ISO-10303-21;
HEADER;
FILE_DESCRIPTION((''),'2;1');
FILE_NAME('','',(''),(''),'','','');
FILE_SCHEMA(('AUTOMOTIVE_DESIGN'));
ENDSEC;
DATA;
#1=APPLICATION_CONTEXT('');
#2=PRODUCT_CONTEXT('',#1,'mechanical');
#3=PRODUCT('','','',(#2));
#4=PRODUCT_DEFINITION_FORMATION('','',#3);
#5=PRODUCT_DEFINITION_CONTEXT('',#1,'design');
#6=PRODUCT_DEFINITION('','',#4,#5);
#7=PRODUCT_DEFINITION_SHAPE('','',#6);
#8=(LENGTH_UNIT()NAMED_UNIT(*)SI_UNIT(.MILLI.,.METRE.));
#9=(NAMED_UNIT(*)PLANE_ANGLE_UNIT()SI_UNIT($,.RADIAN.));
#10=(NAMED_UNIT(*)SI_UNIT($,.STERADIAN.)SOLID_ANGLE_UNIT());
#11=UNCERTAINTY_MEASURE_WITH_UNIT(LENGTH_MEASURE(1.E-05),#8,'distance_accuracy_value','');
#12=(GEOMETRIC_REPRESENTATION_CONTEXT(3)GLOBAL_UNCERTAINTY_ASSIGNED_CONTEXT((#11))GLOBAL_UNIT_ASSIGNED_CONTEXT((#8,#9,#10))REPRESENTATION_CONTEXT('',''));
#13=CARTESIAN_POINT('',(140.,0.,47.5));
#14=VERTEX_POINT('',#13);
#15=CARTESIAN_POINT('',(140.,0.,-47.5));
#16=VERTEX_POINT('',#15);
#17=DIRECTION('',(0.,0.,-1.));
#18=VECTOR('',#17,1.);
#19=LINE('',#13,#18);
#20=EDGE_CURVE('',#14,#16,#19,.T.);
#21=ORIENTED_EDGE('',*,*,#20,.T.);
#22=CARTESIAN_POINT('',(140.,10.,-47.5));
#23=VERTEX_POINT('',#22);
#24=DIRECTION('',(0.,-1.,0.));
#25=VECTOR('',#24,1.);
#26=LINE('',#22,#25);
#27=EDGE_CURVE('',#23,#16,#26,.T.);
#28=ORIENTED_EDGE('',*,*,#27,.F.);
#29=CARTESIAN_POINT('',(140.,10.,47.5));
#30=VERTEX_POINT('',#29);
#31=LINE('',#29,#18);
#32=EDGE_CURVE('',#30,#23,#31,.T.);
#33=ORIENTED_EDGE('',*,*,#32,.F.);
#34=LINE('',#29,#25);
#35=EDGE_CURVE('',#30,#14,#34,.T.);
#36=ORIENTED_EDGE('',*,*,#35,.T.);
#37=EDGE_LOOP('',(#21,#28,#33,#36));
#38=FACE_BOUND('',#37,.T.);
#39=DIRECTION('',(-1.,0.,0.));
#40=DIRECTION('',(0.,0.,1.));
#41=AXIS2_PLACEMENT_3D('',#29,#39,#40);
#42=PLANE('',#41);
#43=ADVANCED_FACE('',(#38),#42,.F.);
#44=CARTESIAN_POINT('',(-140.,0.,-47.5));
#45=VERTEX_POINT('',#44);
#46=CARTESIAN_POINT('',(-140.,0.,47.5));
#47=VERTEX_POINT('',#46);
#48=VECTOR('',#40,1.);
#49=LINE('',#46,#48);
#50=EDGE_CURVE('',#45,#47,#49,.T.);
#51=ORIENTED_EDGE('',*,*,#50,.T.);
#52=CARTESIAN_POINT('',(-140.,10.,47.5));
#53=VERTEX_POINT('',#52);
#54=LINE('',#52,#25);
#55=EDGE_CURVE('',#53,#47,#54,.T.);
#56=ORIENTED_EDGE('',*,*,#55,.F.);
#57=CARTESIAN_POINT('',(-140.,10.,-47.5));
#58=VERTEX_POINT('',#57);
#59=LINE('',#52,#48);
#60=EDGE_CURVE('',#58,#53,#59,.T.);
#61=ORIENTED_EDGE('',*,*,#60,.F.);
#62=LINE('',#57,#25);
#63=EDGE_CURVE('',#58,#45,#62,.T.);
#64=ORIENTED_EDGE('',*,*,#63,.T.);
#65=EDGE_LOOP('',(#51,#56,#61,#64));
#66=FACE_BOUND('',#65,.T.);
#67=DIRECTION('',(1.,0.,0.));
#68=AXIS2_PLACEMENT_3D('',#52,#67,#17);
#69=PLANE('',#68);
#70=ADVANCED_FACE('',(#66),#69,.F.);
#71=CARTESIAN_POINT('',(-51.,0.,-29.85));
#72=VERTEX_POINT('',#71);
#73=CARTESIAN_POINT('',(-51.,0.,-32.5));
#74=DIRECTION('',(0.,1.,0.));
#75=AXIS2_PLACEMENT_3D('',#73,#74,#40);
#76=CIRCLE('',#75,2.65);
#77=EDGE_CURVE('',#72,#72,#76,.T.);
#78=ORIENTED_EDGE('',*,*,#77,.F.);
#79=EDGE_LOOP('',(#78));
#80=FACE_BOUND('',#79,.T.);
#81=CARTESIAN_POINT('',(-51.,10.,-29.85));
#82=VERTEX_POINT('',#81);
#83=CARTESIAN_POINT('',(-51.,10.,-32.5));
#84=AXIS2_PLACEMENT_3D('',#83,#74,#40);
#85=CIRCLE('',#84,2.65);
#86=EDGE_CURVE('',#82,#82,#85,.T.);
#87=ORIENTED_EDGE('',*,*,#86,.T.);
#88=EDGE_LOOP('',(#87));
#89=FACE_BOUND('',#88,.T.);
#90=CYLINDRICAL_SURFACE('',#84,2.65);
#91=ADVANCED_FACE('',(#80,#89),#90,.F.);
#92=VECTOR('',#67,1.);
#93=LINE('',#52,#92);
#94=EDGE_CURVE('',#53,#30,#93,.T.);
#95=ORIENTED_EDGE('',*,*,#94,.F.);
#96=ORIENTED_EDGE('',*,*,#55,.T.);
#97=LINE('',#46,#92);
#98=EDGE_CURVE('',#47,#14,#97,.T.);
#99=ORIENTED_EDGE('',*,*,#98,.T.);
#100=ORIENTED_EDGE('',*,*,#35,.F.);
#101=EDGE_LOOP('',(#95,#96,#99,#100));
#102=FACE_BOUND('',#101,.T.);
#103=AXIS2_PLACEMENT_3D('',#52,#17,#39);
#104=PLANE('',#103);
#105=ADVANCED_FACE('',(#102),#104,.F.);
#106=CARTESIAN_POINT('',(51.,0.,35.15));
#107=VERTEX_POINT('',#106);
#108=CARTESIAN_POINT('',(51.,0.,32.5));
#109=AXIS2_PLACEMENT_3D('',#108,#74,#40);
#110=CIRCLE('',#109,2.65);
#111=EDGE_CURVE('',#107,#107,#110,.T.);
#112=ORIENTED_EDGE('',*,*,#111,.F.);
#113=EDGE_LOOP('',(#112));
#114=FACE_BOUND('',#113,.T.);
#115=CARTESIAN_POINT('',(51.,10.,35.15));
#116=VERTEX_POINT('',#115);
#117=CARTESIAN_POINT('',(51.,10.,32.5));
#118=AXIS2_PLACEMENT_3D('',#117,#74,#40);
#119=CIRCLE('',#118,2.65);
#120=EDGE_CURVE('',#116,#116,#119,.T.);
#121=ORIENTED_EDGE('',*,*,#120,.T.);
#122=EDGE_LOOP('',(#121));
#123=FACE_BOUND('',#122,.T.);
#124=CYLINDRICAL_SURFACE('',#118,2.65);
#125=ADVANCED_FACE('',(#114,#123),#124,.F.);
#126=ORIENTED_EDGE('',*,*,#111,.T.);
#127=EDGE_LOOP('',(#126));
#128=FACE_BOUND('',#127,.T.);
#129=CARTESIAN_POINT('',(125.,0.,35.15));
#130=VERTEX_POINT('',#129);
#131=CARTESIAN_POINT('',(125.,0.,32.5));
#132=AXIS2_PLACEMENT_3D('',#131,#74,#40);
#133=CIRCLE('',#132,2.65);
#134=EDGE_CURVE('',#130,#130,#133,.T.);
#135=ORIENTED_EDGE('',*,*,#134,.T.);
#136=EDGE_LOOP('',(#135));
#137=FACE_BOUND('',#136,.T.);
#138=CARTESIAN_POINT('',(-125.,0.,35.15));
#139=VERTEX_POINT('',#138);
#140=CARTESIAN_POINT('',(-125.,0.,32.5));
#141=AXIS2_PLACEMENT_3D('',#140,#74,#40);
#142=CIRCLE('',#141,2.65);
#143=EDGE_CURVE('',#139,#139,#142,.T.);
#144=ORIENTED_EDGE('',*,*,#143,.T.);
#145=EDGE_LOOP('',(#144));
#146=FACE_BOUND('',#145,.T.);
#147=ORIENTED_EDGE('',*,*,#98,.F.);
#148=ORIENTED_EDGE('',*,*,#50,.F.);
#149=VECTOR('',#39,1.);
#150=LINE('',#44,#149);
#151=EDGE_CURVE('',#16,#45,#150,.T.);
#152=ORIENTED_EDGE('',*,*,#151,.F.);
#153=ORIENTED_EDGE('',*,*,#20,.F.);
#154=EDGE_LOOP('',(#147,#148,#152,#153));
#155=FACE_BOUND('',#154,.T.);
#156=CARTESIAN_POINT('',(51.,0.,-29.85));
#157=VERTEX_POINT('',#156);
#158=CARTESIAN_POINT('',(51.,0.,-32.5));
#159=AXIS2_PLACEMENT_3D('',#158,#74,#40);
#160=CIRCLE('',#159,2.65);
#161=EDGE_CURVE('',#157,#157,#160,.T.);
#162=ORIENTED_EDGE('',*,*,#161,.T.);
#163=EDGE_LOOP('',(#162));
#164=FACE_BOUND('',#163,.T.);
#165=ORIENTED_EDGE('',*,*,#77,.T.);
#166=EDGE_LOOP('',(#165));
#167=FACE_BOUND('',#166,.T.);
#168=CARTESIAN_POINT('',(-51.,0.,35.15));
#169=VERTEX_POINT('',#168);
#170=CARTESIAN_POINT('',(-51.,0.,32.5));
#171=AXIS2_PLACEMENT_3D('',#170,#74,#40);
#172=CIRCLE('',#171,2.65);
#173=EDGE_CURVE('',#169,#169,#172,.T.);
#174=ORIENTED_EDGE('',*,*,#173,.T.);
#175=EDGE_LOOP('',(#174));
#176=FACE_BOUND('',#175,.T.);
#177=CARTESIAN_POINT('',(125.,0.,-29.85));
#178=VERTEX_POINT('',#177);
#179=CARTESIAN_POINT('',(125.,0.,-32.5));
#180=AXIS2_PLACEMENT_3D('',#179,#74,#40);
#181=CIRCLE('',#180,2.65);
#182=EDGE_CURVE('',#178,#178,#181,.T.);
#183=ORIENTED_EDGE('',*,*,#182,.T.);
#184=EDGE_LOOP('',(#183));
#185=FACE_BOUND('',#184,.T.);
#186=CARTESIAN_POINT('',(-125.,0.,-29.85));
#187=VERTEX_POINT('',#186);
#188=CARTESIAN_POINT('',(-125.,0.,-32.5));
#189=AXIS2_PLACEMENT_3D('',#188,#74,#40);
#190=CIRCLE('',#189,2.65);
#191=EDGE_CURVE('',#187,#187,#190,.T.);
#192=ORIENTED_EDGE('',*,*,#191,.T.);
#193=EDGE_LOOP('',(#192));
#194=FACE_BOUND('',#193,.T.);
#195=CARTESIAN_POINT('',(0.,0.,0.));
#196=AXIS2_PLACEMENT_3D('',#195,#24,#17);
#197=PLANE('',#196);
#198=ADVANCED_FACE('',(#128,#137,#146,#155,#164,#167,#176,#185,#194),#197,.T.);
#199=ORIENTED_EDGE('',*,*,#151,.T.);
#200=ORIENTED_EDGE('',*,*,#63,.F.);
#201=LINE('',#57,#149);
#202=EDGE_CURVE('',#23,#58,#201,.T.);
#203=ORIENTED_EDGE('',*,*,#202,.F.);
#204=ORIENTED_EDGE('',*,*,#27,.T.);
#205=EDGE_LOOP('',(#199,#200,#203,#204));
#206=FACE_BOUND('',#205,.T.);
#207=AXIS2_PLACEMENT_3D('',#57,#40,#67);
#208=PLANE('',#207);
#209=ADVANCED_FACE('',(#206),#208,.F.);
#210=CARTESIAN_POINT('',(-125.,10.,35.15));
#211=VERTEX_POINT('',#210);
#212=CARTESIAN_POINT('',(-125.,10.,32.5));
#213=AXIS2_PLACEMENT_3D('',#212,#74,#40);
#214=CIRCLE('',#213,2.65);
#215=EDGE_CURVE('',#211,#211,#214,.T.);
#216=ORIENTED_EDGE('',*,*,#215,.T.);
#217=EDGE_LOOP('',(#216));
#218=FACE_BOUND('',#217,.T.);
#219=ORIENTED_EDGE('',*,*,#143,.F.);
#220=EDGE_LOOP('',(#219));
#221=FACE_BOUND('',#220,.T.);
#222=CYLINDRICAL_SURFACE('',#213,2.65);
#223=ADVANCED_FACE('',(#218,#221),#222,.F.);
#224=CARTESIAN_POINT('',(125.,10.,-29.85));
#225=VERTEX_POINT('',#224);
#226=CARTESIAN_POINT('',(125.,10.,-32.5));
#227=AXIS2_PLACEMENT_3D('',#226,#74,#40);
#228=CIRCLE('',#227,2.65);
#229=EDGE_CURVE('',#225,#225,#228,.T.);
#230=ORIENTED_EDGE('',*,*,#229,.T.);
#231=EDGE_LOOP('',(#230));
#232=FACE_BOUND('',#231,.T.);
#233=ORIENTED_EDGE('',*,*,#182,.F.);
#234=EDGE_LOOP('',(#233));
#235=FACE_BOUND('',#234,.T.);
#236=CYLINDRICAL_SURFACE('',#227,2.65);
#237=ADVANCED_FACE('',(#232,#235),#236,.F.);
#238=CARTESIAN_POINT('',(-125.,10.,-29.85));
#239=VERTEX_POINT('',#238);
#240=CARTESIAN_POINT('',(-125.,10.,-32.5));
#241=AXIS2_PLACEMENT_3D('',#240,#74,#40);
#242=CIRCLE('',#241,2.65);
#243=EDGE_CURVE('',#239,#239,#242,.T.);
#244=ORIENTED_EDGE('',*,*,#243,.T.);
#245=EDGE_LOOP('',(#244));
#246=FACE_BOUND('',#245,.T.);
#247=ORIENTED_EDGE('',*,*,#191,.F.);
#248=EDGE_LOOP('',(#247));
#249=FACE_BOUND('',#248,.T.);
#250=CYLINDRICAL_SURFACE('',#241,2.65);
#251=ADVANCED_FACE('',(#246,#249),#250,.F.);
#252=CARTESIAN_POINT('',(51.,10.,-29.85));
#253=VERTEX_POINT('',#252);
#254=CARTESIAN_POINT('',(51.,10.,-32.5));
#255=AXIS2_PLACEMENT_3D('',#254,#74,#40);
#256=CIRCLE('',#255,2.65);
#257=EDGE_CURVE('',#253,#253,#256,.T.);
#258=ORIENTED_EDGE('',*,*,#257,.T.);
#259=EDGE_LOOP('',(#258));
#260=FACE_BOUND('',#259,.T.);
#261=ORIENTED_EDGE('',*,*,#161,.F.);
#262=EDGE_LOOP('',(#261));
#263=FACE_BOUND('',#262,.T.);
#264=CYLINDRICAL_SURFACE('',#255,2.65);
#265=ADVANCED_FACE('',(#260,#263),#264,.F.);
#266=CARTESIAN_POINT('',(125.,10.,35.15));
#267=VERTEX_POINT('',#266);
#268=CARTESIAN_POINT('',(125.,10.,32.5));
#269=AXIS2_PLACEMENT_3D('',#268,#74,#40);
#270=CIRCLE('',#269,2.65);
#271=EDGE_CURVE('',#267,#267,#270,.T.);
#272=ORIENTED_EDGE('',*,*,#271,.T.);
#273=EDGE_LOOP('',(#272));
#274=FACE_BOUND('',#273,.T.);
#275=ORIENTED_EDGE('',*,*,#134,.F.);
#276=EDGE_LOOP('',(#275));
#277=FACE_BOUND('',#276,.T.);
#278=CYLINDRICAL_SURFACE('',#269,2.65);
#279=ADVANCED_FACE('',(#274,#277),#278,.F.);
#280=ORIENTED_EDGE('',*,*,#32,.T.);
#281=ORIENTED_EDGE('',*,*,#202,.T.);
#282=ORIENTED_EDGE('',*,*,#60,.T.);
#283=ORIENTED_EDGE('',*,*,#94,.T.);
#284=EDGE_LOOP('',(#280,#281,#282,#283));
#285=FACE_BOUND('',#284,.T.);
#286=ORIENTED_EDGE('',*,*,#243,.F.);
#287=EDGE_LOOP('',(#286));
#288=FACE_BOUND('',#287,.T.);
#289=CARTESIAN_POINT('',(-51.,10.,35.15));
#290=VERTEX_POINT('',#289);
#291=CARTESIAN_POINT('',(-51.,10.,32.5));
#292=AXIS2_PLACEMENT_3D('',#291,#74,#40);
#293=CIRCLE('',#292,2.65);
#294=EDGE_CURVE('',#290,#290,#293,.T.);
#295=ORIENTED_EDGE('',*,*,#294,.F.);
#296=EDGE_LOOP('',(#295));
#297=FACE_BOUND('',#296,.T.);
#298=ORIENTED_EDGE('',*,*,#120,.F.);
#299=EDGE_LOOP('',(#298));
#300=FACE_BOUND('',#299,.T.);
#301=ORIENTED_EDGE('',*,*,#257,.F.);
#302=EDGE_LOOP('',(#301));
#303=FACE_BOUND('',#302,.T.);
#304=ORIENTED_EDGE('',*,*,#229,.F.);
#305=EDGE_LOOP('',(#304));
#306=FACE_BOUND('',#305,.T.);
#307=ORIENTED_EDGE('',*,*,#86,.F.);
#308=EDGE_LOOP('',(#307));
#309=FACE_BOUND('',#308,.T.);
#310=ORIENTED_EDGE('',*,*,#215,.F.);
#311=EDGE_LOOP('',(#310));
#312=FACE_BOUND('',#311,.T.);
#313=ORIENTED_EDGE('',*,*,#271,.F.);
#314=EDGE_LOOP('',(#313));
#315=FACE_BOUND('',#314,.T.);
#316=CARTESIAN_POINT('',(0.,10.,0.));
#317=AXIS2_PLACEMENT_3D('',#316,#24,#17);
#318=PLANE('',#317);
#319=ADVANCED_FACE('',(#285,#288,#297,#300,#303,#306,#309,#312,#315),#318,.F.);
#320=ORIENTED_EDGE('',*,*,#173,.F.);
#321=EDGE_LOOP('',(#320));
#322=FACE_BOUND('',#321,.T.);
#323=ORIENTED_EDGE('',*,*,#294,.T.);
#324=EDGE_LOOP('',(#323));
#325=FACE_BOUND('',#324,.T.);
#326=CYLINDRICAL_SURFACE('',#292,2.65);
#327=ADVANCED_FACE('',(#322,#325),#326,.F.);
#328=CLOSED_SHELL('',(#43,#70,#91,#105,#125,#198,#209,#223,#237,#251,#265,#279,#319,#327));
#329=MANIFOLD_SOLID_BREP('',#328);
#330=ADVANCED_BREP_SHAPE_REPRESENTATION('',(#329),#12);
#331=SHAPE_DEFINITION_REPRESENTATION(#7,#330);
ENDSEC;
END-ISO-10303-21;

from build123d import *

# Parameters (mm, degrees)
SKETCH1_W            = 280
SKETCH1_H            = 95
BOSS_EXTRUDE1_DEPTH  = 10
M5_CLEARANCE_SLOT1_D = 5.3


with BuildPart() as part:
    # Sketch1 → Boss-Extrude1 (new body)
    with BuildSketch(Plane(origin=(0, 0, 0), x_dir=(1, 0, 0), z_dir=(0, 1, 0))):
        Rectangle(SKETCH1_W, SKETCH1_H)
    extrude(amount=BOSS_EXTRUDE1_DEPTH)

    # M5 Clearance Slot1 (through all)
    with Locations(Plane(origin=(0, 10, 0), x_dir=(1, 0, 0), z_dir=(0, 1, 0))):
        with Locations((-125, -32.5), (-125, 32.5), (-51, 32.5), (-51, -32.5), (125, 32.5), (125, -32.5), (51, -32.5), (51, 32.5)):
            Hole(M5_CLEARANCE_SLOT1_D / 2)


solid = part.part
